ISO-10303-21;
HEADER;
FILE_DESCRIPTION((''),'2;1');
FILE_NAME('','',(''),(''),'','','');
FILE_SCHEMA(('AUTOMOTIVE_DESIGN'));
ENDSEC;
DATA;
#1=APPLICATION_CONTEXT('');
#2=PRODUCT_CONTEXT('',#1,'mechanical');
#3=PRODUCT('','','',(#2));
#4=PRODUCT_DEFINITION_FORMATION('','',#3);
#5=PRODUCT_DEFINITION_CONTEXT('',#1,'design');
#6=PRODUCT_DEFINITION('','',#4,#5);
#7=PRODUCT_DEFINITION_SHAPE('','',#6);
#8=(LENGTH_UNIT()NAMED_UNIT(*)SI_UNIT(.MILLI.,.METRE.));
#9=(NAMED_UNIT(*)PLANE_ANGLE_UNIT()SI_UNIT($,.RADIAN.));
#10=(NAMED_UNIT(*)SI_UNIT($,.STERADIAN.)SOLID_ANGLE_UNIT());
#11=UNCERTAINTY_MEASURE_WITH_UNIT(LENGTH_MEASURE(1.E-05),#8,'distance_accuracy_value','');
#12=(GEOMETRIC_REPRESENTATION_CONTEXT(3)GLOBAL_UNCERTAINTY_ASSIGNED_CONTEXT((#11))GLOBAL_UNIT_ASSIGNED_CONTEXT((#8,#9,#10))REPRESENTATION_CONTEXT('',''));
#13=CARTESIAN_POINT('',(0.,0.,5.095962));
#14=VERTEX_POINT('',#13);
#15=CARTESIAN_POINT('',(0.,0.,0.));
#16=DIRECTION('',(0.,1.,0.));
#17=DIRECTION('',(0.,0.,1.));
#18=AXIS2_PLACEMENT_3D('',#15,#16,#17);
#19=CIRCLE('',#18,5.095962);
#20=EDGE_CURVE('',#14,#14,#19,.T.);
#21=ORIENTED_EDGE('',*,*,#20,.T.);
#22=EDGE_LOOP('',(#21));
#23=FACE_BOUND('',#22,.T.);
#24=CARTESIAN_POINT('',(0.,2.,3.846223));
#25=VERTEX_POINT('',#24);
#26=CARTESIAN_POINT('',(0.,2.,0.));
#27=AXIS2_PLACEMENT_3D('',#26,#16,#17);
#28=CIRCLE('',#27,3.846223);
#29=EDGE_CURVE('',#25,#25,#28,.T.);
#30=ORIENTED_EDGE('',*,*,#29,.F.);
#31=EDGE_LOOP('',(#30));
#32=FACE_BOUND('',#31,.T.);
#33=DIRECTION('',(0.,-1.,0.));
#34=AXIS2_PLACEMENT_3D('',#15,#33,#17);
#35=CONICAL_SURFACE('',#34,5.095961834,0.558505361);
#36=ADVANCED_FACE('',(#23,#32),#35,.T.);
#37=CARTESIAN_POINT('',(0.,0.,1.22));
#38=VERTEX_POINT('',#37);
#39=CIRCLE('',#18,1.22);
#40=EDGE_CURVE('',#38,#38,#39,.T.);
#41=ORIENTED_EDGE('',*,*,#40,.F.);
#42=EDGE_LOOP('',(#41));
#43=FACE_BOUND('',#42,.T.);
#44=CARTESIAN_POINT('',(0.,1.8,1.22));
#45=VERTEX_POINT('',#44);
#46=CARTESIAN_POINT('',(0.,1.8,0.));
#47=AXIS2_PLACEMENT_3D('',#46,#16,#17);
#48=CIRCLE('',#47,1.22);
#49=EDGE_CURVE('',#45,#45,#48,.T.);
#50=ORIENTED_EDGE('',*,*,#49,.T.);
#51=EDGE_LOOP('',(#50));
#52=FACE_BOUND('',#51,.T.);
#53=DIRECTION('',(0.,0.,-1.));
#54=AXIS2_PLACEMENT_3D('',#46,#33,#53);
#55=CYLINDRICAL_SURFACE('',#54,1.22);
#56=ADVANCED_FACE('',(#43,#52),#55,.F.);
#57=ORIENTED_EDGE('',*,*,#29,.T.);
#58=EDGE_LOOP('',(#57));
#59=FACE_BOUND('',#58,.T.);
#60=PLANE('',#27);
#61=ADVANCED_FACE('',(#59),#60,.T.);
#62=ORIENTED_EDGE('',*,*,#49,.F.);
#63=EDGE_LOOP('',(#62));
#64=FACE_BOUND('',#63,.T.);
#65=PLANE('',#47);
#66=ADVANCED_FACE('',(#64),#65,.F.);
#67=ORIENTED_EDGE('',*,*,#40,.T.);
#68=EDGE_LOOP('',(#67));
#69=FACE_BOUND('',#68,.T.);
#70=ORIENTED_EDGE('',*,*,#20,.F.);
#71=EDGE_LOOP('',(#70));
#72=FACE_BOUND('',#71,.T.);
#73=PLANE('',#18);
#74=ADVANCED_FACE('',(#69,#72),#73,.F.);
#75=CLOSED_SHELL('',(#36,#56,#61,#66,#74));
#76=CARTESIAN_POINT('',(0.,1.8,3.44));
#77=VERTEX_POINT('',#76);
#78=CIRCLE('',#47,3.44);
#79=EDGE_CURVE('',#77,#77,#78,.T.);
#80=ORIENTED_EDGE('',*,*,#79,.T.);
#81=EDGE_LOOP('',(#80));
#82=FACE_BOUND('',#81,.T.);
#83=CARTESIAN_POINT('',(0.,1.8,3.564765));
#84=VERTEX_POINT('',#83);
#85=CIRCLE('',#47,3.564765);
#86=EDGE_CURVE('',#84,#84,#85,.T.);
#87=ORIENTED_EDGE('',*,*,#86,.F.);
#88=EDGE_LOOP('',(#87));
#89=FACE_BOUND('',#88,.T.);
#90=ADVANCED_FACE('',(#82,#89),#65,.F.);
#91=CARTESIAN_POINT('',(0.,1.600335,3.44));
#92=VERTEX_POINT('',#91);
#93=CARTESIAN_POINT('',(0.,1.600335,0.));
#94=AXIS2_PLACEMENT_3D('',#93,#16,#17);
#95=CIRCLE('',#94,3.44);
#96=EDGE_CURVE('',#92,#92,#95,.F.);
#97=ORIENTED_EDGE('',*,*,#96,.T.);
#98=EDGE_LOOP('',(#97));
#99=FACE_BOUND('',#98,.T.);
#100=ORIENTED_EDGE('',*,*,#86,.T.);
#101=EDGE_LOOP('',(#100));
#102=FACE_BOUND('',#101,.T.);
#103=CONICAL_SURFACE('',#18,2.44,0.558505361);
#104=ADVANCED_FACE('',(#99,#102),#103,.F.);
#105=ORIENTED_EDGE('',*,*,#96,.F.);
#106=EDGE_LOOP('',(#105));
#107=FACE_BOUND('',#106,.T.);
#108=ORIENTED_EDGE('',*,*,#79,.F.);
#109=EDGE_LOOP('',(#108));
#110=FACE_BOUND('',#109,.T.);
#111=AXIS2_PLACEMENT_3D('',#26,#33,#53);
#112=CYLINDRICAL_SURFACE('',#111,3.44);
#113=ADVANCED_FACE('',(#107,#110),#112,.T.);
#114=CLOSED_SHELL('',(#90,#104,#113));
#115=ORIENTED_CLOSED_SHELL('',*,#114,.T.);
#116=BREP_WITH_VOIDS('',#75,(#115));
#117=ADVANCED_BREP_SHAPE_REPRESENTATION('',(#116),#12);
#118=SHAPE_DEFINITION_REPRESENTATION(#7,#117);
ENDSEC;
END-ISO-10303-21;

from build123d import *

# Parameters (mm, degrees)
IZIM2_R                     = 5.095961834
IZIM2_R_2                   = 2.44
Y_KSEKLIK_EKSTR_ZYON1_DEPTH = 2
Y_KSEKLIK_EKSTR_ZYON1_TAPER = 32
IZIM3_R                     = 3.44
IZIM3_R_2                   = 2.44
EKSTR_ZYON_NCE1_DEPTH       = 2
IZIM4_R                     = 3.84622313
Y_KSEKLIK_EKSTR_ZYON2_DEPTH = 0.2
IZIM5_R                     = 2.44
IZIM5_R_2                   = 1.22
EKSTR_ZYON_NCE2_DEPTH       = 1.8


with BuildPart() as part:
    # Çizim2 → Yükseklik-Ekstrüzyon1 (new body)
    with BuildSketch(Plane(origin=(0, 0, 0), x_dir=(1, 0, 0), z_dir=(0, 1, 0))):
        Circle(IZIM2_R)
        Circle(IZIM2_R_2, mode=Mode.SUBTRACT)
    extrude(amount=Y_KSEKLIK_EKSTR_ZYON1_DEPTH, taper=Y_KSEKLIK_EKSTR_ZYON1_TAPER)

    # Çizim3 → Ekstrüzyon-İnce1 (add)
    with BuildSketch(Plane(origin=(0, 0, 0), x_dir=(1, 0, 0), z_dir=(0, 1, 0))):
        Circle(IZIM3_R)
        Circle(IZIM3_R_2, mode=Mode.SUBTRACT)
    extrude(amount=EKSTR_ZYON_NCE1_DEPTH)

    # Çizim4 → Yükseklik-Ekstrüzyon2 (add)
    with BuildSketch(Plane(origin=(0, 2, 0), x_dir=(1, 0, 0), z_dir=(0, 1, 0))):
        Circle(IZIM4_R)
    extrude(amount=-Y_KSEKLIK_EKSTR_ZYON2_DEPTH)

    # Çizim5 → Ekstrüzyon-İnce2 (add)
    with BuildSketch(Plane(origin=(0, 0, 0), x_dir=(1, 0, 0), z_dir=(0, 1, 0))):
        Circle(IZIM5_R)
        Circle(IZIM5_R_2, mode=Mode.SUBTRACT)
    extrude(amount=EKSTR_ZYON_NCE2_DEPTH)


solid = part.part
